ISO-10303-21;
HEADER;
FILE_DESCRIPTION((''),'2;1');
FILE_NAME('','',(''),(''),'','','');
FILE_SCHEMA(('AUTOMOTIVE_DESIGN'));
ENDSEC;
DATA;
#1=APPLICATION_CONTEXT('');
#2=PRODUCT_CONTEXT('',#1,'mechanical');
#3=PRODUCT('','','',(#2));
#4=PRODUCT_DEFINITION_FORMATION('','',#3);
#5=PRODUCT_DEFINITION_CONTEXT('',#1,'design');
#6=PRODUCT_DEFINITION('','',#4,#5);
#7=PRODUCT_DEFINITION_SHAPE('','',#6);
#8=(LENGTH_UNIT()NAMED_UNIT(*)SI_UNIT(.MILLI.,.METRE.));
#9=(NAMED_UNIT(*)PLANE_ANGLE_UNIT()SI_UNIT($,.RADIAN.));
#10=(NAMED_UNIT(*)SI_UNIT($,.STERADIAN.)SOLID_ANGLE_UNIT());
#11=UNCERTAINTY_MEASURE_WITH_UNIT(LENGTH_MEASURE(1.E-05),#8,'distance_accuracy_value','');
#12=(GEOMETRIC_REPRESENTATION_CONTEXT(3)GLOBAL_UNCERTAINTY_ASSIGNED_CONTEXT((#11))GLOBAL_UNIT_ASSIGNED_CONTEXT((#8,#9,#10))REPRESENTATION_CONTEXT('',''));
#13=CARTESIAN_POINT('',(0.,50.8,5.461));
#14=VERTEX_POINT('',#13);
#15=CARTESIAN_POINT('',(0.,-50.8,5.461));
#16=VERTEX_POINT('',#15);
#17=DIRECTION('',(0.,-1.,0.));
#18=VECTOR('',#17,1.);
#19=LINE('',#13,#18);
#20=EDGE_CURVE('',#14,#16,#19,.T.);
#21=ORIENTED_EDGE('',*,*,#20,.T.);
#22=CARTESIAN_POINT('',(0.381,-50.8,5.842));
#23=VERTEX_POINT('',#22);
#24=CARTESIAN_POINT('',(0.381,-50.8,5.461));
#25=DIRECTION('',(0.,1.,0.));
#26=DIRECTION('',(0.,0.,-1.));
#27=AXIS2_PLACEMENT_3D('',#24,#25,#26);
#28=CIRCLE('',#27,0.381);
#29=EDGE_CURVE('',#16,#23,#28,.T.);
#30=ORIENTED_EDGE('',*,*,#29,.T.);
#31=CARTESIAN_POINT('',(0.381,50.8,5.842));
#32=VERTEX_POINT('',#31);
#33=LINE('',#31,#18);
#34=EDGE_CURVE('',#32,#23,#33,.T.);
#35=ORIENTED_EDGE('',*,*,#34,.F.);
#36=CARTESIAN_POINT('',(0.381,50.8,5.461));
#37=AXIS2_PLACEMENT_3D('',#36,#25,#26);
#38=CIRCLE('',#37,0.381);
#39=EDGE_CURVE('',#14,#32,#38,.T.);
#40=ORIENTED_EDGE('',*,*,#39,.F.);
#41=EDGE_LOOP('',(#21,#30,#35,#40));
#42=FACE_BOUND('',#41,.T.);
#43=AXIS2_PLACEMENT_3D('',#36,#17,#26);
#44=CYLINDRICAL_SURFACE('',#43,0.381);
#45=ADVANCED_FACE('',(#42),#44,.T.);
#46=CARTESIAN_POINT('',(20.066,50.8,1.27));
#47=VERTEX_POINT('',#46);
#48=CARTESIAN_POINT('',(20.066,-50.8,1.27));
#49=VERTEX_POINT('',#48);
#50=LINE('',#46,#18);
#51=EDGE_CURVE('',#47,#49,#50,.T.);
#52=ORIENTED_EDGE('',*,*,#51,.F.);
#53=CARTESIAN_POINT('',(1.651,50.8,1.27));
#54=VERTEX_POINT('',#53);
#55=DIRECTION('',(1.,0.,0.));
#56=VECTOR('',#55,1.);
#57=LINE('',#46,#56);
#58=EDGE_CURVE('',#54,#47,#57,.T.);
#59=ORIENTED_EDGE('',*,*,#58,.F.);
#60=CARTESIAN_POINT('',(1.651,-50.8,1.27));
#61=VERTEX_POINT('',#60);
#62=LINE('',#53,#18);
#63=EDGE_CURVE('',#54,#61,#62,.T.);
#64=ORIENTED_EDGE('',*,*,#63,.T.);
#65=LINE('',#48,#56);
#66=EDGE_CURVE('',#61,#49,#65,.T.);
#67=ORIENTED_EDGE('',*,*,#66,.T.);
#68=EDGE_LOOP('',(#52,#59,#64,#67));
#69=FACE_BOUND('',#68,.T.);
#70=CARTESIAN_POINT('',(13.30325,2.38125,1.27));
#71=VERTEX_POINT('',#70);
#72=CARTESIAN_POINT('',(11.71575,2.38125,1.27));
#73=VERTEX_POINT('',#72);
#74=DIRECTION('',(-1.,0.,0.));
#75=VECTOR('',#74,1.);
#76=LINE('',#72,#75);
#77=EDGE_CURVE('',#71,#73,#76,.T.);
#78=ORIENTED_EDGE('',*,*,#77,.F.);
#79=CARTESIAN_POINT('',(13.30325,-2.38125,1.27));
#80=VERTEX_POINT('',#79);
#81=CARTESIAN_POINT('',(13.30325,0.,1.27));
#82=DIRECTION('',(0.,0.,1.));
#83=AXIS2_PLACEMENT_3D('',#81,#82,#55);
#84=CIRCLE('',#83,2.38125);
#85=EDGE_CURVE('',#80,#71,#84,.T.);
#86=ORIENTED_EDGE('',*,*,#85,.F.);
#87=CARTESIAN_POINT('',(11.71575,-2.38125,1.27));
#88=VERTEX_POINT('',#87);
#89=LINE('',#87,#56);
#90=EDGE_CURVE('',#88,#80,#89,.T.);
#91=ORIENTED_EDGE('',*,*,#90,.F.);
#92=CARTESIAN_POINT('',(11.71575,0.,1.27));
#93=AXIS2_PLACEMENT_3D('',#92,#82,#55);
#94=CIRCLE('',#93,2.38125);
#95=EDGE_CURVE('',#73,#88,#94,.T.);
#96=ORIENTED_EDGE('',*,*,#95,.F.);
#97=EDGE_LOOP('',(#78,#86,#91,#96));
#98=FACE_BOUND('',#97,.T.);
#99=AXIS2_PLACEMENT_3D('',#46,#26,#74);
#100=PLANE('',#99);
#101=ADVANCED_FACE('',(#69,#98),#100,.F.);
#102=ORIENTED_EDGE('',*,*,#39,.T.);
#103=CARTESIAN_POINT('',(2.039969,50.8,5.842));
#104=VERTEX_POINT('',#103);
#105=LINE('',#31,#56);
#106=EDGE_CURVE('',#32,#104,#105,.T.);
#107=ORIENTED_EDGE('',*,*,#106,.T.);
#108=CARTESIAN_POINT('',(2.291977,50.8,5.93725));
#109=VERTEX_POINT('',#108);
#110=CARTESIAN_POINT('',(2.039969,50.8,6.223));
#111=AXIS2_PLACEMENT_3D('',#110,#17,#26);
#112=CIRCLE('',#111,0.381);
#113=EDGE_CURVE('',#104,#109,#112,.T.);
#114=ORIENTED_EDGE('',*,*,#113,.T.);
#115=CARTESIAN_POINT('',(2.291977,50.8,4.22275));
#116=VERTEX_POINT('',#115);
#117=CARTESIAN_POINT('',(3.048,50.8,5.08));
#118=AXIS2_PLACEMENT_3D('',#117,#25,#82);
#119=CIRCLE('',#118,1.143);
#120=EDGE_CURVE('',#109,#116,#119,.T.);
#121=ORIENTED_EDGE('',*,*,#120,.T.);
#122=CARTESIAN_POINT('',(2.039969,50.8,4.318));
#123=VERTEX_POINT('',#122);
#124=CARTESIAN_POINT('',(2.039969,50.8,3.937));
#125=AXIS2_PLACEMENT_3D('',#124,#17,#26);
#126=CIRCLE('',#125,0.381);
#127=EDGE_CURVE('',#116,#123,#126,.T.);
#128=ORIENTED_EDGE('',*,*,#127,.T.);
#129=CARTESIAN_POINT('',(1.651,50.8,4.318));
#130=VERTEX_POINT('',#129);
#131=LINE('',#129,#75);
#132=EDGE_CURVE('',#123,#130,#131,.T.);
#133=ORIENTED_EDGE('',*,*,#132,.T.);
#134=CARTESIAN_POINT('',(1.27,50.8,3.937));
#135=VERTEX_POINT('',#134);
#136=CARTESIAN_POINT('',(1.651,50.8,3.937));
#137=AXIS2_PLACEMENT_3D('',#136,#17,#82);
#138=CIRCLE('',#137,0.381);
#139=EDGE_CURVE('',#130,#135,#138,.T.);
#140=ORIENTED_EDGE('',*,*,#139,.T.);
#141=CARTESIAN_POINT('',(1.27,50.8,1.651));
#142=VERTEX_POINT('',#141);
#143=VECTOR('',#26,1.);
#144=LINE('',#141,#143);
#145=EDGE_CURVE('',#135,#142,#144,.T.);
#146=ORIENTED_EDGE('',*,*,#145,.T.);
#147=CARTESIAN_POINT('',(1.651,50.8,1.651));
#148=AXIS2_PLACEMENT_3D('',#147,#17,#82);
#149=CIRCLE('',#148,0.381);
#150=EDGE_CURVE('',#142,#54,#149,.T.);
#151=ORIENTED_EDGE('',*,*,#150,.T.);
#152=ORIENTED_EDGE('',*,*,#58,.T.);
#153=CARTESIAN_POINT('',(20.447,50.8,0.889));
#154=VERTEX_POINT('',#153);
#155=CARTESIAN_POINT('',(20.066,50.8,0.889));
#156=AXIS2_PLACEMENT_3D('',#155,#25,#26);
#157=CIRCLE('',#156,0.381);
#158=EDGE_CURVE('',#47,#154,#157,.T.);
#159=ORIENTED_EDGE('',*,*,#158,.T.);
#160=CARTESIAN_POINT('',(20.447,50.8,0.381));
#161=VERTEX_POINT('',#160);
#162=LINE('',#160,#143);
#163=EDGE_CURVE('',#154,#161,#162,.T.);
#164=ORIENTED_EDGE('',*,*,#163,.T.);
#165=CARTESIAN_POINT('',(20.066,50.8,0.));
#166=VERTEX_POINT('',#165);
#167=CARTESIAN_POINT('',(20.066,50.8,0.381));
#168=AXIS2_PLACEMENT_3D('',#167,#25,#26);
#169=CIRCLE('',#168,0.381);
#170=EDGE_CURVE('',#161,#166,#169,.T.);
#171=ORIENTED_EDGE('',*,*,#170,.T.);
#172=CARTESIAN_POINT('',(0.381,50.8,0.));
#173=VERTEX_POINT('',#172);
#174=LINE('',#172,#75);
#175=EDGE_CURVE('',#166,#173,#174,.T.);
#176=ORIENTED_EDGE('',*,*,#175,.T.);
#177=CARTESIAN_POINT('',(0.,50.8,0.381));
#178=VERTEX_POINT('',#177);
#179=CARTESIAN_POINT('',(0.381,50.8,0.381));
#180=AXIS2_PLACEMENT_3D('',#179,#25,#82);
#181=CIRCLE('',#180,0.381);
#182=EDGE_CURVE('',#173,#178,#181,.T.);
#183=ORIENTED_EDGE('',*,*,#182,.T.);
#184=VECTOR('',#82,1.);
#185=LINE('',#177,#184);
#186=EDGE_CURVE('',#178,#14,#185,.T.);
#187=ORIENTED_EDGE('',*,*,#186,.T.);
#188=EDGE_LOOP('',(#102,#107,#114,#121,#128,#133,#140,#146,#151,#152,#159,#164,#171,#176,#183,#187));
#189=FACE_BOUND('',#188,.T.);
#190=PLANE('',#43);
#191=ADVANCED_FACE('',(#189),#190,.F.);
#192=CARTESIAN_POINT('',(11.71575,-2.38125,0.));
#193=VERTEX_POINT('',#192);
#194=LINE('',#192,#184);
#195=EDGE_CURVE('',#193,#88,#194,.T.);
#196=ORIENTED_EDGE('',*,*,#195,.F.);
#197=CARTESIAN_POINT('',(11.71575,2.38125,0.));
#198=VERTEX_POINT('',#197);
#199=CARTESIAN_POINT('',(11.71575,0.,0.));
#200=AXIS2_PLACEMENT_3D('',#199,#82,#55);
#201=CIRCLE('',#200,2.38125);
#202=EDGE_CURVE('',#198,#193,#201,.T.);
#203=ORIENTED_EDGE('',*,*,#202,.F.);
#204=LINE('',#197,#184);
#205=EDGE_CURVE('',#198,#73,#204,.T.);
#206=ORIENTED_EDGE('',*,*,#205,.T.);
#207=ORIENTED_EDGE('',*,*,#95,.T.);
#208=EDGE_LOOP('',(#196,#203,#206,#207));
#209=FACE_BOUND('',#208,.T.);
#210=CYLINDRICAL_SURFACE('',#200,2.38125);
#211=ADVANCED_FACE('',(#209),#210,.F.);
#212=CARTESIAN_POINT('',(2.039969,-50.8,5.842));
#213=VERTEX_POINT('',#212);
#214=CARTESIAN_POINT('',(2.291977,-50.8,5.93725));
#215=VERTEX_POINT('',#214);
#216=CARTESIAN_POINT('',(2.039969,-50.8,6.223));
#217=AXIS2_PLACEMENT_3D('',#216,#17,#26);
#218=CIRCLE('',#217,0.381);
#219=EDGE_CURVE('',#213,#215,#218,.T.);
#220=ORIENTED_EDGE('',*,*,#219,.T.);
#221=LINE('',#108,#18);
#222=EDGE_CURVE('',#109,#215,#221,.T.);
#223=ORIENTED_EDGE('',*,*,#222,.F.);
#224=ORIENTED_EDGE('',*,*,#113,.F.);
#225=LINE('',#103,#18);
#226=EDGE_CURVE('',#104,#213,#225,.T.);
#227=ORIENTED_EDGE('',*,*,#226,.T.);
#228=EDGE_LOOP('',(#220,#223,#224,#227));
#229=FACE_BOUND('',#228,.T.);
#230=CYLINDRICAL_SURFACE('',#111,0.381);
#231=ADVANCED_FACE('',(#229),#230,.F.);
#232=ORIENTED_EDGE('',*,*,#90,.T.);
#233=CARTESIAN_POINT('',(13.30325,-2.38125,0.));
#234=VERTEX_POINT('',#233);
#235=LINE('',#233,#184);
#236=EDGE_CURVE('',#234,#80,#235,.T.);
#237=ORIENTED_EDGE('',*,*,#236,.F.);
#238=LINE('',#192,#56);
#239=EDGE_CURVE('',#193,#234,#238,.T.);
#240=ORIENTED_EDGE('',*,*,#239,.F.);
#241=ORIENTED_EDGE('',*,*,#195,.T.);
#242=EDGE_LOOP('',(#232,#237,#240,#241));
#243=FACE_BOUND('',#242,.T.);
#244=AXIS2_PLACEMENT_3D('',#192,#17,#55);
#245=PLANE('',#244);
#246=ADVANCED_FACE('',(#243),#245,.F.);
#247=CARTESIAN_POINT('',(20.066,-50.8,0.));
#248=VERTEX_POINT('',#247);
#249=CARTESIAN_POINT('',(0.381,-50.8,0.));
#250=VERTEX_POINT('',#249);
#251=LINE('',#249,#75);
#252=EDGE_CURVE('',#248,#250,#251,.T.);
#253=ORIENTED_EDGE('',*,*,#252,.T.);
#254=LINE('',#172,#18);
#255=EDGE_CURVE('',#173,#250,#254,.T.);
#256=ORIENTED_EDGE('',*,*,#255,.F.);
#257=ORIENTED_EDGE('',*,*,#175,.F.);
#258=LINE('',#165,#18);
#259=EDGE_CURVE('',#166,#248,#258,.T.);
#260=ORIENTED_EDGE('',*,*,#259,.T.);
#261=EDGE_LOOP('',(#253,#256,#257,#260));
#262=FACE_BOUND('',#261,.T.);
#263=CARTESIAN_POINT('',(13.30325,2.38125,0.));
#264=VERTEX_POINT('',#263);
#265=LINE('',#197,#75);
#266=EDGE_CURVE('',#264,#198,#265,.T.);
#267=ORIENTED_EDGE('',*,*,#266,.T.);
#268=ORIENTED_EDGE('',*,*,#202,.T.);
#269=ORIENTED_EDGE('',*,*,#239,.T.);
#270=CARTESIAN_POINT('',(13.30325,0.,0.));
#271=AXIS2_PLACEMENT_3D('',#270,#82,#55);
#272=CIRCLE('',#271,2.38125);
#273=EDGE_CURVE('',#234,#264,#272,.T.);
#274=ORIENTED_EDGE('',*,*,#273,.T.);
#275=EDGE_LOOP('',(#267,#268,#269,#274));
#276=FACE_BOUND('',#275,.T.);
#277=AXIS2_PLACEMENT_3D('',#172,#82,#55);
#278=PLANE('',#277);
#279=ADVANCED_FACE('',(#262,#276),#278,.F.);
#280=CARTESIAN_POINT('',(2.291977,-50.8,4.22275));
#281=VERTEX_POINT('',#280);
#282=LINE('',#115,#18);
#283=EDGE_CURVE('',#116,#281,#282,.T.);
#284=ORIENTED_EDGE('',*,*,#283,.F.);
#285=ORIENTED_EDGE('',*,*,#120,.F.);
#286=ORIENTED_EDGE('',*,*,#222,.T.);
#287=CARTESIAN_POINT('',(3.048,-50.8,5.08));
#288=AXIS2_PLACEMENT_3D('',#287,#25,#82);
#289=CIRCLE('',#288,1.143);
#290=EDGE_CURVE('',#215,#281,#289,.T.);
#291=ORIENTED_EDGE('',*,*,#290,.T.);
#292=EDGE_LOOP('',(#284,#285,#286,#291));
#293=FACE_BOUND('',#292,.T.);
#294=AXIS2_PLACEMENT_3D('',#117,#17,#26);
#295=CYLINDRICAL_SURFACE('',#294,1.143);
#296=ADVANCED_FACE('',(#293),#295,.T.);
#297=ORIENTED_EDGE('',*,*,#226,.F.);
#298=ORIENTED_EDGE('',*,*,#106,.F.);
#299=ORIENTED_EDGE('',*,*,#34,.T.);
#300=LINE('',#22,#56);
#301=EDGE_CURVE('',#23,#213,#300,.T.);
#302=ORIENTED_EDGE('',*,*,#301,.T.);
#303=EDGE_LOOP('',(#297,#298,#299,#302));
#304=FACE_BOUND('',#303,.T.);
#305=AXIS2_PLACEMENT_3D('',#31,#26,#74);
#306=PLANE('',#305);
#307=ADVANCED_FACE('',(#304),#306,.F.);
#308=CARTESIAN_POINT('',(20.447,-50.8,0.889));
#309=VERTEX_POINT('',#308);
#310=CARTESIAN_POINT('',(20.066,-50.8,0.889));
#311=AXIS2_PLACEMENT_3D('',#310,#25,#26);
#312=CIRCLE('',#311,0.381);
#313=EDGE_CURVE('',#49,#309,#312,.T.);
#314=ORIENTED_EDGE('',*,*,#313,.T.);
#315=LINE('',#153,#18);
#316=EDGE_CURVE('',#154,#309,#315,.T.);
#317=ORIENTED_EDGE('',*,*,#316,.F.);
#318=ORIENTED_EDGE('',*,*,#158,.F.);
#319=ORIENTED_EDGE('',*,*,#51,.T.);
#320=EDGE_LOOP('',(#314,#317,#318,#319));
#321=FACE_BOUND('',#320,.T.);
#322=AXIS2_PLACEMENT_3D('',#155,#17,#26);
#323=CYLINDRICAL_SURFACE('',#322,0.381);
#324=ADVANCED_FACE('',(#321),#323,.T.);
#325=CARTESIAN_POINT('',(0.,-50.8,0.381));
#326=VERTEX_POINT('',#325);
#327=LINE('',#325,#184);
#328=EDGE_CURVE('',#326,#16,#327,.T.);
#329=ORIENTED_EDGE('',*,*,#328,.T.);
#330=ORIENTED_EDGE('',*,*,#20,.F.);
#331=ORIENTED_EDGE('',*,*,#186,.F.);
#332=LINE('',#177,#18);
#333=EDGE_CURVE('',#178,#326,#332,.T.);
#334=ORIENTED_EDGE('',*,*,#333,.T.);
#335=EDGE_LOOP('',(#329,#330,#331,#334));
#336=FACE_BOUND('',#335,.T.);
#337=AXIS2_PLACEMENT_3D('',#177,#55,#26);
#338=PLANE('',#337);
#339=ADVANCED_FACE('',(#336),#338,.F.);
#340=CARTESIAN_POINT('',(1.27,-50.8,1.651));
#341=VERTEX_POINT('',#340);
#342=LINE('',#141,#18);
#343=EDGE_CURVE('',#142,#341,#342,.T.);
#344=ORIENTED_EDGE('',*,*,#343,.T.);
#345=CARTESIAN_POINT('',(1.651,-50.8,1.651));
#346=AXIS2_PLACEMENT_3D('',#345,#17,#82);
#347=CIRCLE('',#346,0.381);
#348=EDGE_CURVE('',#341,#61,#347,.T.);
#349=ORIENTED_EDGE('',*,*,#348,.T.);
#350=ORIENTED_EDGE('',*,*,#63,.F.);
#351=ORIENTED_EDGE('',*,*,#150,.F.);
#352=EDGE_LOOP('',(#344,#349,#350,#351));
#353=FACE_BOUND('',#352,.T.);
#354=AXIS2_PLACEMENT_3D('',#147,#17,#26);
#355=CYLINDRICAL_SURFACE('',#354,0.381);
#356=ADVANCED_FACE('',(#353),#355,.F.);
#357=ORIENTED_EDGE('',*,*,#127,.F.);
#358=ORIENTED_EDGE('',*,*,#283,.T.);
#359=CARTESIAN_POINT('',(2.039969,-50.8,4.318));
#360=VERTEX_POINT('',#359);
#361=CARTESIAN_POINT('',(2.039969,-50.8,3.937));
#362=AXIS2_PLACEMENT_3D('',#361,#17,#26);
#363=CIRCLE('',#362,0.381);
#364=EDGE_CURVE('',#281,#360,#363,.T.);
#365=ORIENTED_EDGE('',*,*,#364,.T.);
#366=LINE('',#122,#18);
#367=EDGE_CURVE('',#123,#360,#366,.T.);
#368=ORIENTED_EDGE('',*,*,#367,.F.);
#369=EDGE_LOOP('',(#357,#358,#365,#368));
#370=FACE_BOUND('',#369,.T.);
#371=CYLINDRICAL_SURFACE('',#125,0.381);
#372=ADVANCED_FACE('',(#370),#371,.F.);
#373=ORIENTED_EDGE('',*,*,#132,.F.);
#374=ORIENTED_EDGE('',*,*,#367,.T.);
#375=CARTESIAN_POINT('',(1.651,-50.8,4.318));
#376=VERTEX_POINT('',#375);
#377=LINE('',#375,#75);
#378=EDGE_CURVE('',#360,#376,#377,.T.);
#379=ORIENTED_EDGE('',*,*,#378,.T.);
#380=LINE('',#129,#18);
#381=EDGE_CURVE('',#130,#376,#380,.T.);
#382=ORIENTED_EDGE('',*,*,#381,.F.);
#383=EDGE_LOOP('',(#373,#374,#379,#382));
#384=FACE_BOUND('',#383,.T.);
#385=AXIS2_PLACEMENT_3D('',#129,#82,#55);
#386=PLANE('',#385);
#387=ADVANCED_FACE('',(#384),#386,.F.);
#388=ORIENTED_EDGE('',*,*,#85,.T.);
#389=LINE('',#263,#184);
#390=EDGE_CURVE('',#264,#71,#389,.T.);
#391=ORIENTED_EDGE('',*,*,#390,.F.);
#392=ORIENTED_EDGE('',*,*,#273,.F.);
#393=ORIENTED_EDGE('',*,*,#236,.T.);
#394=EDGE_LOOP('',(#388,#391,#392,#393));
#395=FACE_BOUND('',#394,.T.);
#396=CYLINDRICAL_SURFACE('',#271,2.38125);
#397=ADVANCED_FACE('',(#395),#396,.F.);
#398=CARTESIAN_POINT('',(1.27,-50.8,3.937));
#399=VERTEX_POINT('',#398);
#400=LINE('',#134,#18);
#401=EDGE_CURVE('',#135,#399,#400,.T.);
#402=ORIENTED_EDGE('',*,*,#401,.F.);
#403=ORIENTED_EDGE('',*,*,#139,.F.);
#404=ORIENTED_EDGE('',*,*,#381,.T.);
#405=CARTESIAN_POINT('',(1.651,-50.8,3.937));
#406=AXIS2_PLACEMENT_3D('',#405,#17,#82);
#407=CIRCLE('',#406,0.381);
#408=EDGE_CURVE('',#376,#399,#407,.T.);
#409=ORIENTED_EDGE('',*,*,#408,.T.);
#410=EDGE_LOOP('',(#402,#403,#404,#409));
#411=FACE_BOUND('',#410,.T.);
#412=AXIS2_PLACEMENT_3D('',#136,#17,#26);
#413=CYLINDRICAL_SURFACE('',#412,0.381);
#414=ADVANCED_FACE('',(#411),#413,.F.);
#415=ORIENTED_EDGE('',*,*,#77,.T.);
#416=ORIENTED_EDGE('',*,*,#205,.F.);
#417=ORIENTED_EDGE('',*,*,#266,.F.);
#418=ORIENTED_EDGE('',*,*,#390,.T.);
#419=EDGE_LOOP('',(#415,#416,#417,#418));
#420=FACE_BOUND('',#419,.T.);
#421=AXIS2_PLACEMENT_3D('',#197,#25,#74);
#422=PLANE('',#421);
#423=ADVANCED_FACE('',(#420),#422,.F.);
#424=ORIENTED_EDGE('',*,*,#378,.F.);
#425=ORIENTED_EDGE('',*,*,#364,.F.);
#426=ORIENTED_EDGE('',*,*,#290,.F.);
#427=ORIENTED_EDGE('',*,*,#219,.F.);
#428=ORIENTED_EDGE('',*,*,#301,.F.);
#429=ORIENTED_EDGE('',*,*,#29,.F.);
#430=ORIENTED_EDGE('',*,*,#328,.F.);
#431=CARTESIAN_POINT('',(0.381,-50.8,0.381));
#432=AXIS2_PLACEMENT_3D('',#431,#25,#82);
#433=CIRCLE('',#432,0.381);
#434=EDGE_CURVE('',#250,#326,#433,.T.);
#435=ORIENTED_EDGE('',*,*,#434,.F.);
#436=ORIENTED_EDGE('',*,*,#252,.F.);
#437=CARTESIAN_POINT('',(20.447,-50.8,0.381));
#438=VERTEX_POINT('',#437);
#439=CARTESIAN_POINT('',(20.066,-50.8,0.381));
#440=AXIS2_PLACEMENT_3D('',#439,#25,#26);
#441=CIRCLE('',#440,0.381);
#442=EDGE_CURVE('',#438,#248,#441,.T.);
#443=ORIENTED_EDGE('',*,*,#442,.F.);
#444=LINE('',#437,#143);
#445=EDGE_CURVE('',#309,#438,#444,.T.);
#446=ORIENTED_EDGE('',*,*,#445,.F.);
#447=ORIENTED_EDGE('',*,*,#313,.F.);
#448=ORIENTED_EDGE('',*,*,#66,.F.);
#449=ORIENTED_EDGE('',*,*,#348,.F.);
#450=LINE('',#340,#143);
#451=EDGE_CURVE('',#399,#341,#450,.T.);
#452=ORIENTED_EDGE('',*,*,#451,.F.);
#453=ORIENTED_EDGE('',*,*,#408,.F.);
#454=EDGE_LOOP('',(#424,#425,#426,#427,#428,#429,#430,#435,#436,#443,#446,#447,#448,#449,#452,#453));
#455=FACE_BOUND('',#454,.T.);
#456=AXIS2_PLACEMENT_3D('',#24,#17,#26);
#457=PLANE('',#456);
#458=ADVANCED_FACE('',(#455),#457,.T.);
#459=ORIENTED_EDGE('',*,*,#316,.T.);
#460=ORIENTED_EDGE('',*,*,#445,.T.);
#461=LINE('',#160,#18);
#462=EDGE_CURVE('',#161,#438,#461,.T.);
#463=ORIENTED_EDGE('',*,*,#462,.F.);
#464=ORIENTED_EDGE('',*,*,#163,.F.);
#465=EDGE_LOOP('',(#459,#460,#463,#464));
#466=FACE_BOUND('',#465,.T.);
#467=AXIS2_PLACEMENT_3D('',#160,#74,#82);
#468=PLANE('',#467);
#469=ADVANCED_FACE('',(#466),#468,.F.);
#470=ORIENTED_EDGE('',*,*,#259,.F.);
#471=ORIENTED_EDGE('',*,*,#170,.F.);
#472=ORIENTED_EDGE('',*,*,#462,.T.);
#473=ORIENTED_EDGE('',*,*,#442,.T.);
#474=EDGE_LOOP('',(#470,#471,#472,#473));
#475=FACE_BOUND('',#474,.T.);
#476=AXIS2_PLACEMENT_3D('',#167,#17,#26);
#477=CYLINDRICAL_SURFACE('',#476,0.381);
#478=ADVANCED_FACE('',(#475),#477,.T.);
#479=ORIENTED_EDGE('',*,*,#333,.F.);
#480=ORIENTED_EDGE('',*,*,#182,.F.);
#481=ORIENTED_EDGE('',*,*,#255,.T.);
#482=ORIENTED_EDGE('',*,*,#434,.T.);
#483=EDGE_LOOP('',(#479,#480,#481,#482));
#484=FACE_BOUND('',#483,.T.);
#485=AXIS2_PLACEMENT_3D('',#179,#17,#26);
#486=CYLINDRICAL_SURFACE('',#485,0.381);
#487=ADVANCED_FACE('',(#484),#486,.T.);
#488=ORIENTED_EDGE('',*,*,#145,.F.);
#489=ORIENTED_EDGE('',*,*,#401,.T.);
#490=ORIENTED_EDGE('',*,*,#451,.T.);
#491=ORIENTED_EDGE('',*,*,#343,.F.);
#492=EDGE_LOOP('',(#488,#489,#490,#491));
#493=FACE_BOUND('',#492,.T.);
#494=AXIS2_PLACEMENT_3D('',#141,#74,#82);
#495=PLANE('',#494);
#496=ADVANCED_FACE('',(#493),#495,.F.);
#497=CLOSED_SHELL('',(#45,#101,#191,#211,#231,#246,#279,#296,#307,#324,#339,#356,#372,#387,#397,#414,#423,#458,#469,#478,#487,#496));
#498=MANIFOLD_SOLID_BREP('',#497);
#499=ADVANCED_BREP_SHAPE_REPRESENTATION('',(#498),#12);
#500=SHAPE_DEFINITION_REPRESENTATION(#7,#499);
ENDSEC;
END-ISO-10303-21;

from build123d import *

# Parameters (mm, degrees)
BOSS_EXTRUDE1_DEPTH = 50.8
CUT_EXTRUDE1_DEPTH  = 2.27


with BuildPart() as part:
    # Sketch2 → Boss-Extrude1 (new body, symmetric)
    with BuildSketch(Plane(origin=(0, 0, 0), x_dir=(1, 0, 0), z_dir=(0, 1, 0))):
        with BuildLine():
            Line((0.381, 0), (20.066, 0))
            ThreePointArc((20.066, 0), (20.335407684, -0.111592316), (20.447, -0.381))
            Line((20.447, -0.381), (20.447, -0.889))
            ThreePointArc((20.447, -0.889), (20.335407684, -1.158407684), (20.066, -1.27))
            Line((20.066, -1.27), (1.651, -1.27))
            ThreePointArc((1.651, -1.27), (1.381592316, -1.381592316), (1.27, -1.651))
            Line((1.27, -1.651), (1.27, -3.937))
            ThreePointArc((1.27, -3.937), (1.381592316, -4.206407684), (1.651, -4.318))
            Line((1.651, -4.318), (2.03996875, -4.318))
            ThreePointArc((2.03996875, -4.318), (2.174672592, -4.293392866), (2.291976563, -4.22275))
            ThreePointArc((2.291976563, -4.22275), (4.191, -5.08), (2.291976563, -5.93725))
            ThreePointArc((2.291976563, -5.93725), (2.174672592, -5.866607134), (2.03996875, -5.842))
            Line((2.03996875, -5.842), (0.381, -5.842))
            ThreePointArc((0.381, -5.842), (0.111592316, -5.730407684), (0, -5.461))
            Line((0, -5.461), (0, -0.381))
            ThreePointArc((0, -0.381), (0.111592316, -0.111592316), (0.381, 0))
        make_face()
    extrude(amount=BOSS_EXTRUDE1_DEPTH, both=True)

    # Sketch7 → Cut-Extrude1 (cut, through all)
    with BuildSketch(Plane.XY.offset(1.27)):
        with BuildLine():
            Line((11.71575, 2.38125), (13.30325, 2.38125))
            ThreePointArc((13.30325, 2.38125), (15.6845, 0), (13.30325, -2.38125))
            Line((13.30325, -2.38125), (11.71575, -2.38125))
            ThreePointArc((11.71575, -2.38125), (9.3345, 0), (11.71575, 2.38125))
        make_face()
    extrude(amount=-CUT_EXTRUDE1_DEPTH, mode=Mode.SUBTRACT)


solid = part.part
